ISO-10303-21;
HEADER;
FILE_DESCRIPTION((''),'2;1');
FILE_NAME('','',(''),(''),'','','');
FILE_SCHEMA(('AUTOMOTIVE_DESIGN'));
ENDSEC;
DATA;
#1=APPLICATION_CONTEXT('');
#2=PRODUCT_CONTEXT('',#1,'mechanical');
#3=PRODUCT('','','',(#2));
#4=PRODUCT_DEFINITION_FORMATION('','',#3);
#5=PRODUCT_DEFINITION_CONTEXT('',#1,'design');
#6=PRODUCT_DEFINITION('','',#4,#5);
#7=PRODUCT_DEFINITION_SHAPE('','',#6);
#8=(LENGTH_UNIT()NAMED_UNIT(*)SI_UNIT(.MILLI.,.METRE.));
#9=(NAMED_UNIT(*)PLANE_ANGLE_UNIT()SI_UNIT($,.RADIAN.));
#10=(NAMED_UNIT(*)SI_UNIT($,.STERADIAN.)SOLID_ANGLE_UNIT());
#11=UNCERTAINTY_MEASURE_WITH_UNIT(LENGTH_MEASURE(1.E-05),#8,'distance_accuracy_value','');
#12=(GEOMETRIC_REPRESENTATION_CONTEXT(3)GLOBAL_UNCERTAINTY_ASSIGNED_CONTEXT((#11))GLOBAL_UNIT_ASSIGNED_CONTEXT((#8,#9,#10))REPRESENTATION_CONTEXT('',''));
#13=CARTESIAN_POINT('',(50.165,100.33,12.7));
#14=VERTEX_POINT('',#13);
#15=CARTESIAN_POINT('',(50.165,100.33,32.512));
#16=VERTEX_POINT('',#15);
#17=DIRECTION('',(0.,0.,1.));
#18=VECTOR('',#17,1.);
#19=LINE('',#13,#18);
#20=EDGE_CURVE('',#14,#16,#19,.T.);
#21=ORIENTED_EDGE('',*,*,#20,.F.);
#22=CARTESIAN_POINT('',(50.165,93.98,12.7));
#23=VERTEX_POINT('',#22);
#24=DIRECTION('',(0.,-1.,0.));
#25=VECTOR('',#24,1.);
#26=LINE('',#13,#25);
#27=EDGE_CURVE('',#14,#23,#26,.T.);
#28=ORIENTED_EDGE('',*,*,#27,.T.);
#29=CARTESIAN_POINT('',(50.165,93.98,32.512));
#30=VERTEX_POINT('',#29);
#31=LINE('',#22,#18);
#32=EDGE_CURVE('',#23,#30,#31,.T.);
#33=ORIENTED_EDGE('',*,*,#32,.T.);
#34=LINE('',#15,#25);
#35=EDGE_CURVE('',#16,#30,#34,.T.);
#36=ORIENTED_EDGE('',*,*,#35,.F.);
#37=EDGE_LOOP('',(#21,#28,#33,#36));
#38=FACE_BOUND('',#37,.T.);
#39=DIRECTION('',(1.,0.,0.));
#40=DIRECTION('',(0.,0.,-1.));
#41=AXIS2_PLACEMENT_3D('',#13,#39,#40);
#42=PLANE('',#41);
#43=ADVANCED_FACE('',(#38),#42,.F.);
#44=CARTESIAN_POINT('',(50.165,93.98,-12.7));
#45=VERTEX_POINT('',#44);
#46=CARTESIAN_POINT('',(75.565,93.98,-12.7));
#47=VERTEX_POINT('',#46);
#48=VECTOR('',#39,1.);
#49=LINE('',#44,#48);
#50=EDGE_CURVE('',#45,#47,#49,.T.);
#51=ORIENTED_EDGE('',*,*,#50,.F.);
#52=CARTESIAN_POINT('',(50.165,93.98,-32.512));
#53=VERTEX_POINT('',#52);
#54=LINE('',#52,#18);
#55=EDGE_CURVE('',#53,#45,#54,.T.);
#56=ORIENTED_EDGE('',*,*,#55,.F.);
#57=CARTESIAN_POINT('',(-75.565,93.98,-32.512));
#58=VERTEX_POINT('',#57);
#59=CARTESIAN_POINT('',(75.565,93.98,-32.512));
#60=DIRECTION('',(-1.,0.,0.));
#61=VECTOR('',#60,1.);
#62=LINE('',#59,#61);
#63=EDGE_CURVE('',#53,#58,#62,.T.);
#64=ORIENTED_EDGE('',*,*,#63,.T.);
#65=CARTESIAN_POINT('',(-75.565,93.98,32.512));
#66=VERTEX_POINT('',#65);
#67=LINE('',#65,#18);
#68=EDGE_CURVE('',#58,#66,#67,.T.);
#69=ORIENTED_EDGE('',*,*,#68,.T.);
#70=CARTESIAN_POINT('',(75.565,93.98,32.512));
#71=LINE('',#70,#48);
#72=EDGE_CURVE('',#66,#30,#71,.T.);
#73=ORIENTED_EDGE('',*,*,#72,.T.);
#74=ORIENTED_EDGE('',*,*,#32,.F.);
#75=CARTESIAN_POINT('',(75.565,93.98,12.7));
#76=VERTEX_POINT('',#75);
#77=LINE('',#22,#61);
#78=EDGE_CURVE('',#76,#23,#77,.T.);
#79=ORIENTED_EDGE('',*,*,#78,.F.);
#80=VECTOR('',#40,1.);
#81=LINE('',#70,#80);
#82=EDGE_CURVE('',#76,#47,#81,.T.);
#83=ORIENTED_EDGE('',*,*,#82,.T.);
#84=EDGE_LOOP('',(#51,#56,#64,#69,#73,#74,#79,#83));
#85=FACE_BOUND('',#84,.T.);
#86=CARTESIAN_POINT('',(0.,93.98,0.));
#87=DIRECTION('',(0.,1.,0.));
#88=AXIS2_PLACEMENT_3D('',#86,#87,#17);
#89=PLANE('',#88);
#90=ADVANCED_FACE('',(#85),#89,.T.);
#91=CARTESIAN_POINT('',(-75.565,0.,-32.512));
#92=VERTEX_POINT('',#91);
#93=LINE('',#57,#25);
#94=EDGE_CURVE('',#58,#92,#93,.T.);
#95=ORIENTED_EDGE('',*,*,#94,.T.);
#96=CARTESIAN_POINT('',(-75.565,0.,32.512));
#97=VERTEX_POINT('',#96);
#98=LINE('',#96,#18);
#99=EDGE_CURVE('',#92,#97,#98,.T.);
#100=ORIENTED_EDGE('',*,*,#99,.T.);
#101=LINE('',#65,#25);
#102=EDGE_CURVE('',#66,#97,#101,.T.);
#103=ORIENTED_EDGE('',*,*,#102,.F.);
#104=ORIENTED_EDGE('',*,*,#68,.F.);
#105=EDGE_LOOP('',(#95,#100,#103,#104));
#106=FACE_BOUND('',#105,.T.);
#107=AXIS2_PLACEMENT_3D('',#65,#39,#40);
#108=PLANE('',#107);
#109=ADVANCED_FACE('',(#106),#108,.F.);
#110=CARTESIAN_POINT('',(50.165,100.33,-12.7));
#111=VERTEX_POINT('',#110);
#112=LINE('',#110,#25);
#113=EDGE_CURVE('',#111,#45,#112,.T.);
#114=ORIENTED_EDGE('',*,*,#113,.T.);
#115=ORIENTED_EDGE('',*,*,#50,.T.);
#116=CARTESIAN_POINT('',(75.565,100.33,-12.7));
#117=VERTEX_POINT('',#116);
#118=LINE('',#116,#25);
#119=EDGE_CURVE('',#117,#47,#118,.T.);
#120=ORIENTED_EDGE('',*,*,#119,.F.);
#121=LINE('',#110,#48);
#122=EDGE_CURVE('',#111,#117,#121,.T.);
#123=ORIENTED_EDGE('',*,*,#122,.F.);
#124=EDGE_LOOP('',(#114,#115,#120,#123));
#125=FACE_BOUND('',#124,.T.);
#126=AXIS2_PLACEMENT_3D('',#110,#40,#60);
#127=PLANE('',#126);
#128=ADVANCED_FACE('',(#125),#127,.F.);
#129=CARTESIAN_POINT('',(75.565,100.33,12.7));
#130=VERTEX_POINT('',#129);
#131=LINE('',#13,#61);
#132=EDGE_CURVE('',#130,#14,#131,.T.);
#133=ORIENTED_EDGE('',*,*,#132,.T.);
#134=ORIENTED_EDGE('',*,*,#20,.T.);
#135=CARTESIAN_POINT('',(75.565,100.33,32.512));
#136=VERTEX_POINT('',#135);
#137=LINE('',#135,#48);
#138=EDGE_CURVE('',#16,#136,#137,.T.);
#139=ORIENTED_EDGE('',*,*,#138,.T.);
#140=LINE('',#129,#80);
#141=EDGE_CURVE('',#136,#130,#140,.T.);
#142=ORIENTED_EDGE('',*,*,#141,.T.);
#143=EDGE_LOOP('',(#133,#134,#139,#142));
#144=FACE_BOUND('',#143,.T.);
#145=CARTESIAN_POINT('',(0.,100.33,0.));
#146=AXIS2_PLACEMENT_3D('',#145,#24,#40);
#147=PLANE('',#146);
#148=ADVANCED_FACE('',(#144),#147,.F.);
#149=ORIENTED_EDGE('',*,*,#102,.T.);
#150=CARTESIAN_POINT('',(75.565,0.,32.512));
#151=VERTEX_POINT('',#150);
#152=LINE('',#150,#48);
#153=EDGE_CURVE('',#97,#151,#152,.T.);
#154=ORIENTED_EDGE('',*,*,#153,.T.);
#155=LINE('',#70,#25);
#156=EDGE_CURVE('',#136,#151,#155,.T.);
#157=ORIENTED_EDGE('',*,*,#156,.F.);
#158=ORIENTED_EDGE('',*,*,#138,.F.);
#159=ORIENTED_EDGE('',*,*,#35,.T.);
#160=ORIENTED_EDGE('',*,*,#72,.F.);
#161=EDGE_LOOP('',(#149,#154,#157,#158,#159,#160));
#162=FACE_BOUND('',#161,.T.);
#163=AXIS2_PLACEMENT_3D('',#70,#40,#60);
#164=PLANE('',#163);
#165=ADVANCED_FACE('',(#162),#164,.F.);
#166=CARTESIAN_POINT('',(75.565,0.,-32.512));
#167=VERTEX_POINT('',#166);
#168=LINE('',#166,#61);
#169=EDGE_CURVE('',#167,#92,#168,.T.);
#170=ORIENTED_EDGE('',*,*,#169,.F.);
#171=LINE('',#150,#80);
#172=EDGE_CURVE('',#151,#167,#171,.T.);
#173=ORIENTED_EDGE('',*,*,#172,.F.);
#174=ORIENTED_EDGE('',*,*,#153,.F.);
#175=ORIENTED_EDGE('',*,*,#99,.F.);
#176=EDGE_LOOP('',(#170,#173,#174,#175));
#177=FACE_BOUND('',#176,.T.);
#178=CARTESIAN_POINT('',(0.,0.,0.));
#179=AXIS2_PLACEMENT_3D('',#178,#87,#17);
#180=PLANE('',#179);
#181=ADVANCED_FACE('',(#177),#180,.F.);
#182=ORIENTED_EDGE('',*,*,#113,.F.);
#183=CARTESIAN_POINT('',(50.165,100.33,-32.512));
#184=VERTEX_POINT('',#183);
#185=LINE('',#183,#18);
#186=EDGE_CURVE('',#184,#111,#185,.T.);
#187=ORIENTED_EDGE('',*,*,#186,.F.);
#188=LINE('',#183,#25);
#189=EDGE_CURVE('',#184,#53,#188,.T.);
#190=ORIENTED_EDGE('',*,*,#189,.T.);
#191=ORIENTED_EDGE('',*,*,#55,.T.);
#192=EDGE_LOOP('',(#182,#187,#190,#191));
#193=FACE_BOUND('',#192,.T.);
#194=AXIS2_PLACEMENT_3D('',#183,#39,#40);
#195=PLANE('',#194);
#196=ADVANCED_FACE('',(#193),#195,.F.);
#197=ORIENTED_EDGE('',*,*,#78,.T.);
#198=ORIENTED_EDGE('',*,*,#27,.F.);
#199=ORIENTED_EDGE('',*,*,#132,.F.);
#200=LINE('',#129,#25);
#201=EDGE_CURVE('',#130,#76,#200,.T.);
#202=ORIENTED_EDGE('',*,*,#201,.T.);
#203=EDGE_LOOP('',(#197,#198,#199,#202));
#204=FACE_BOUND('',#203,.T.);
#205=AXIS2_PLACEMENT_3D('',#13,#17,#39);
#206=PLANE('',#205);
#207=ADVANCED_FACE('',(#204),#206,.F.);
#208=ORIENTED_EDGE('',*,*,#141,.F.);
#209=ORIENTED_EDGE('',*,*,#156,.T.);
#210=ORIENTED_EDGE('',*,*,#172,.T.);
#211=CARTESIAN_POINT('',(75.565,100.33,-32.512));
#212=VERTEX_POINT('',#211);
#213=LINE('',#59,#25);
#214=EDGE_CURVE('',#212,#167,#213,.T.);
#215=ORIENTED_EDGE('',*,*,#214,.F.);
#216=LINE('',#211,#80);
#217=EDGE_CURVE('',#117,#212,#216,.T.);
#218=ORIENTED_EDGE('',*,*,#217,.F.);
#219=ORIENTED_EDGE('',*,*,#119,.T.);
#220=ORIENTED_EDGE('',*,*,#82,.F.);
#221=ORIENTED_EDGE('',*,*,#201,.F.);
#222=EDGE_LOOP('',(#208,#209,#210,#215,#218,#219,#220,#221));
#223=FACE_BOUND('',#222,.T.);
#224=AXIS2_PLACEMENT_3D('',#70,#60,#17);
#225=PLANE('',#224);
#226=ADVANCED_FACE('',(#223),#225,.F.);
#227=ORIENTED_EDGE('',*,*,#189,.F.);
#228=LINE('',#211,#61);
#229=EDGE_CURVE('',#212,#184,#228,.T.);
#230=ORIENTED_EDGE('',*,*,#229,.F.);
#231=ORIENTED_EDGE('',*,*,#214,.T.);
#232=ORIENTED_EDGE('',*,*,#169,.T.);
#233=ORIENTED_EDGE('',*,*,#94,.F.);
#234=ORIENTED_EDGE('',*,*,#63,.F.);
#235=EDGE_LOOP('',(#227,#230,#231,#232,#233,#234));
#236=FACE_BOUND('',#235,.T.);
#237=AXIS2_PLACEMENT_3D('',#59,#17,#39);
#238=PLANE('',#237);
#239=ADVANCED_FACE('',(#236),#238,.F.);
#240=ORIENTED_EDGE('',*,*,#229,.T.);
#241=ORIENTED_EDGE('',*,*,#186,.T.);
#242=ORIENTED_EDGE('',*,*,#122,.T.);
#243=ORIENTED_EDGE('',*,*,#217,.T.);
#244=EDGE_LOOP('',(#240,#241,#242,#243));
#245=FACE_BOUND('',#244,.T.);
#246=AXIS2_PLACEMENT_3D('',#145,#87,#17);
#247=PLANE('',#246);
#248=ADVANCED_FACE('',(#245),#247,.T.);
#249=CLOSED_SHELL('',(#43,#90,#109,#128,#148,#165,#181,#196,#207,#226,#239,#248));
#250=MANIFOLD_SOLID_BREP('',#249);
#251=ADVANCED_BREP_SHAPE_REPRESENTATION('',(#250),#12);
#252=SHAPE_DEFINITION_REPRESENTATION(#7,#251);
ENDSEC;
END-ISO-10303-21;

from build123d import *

# Parameters (mm, degrees)
SKETCH1_W           = 151.13
SKETCH1_H           = 65.024
BOSS_EXTRUDE1_DEPTH = 93.98
SKETCH2_W           = 25.4
SKETCH2_H           = 19.812
BOSS_EXTRUDE2_DEPTH = 6.35


with BuildPart() as part:
    # Sketch1 → Boss-Extrude1 (new body)
    with BuildSketch(Plane(origin=(0, 0, 0), x_dir=(1, 0, 0), z_dir=(0, 1, 0))):
        Rectangle(SKETCH1_W, SKETCH1_H)
    extrude(amount=BOSS_EXTRUDE1_DEPTH)

    # Sketch2 → Boss-Extrude2 (add)
    with BuildSketch(Plane(origin=(0, 93.98, 0), x_dir=(1, 0, 0), z_dir=(0, 1, 0))):
        with Locations((62.865, 22.606)):
            Rectangle(SKETCH2_W, SKETCH2_H)
        with Locations((62.865, -22.606)):
            Rectangle(SKETCH2_W, SKETCH2_H)
    extrude(amount=BOSS_EXTRUDE2_DEPTH)


solid = part.part
